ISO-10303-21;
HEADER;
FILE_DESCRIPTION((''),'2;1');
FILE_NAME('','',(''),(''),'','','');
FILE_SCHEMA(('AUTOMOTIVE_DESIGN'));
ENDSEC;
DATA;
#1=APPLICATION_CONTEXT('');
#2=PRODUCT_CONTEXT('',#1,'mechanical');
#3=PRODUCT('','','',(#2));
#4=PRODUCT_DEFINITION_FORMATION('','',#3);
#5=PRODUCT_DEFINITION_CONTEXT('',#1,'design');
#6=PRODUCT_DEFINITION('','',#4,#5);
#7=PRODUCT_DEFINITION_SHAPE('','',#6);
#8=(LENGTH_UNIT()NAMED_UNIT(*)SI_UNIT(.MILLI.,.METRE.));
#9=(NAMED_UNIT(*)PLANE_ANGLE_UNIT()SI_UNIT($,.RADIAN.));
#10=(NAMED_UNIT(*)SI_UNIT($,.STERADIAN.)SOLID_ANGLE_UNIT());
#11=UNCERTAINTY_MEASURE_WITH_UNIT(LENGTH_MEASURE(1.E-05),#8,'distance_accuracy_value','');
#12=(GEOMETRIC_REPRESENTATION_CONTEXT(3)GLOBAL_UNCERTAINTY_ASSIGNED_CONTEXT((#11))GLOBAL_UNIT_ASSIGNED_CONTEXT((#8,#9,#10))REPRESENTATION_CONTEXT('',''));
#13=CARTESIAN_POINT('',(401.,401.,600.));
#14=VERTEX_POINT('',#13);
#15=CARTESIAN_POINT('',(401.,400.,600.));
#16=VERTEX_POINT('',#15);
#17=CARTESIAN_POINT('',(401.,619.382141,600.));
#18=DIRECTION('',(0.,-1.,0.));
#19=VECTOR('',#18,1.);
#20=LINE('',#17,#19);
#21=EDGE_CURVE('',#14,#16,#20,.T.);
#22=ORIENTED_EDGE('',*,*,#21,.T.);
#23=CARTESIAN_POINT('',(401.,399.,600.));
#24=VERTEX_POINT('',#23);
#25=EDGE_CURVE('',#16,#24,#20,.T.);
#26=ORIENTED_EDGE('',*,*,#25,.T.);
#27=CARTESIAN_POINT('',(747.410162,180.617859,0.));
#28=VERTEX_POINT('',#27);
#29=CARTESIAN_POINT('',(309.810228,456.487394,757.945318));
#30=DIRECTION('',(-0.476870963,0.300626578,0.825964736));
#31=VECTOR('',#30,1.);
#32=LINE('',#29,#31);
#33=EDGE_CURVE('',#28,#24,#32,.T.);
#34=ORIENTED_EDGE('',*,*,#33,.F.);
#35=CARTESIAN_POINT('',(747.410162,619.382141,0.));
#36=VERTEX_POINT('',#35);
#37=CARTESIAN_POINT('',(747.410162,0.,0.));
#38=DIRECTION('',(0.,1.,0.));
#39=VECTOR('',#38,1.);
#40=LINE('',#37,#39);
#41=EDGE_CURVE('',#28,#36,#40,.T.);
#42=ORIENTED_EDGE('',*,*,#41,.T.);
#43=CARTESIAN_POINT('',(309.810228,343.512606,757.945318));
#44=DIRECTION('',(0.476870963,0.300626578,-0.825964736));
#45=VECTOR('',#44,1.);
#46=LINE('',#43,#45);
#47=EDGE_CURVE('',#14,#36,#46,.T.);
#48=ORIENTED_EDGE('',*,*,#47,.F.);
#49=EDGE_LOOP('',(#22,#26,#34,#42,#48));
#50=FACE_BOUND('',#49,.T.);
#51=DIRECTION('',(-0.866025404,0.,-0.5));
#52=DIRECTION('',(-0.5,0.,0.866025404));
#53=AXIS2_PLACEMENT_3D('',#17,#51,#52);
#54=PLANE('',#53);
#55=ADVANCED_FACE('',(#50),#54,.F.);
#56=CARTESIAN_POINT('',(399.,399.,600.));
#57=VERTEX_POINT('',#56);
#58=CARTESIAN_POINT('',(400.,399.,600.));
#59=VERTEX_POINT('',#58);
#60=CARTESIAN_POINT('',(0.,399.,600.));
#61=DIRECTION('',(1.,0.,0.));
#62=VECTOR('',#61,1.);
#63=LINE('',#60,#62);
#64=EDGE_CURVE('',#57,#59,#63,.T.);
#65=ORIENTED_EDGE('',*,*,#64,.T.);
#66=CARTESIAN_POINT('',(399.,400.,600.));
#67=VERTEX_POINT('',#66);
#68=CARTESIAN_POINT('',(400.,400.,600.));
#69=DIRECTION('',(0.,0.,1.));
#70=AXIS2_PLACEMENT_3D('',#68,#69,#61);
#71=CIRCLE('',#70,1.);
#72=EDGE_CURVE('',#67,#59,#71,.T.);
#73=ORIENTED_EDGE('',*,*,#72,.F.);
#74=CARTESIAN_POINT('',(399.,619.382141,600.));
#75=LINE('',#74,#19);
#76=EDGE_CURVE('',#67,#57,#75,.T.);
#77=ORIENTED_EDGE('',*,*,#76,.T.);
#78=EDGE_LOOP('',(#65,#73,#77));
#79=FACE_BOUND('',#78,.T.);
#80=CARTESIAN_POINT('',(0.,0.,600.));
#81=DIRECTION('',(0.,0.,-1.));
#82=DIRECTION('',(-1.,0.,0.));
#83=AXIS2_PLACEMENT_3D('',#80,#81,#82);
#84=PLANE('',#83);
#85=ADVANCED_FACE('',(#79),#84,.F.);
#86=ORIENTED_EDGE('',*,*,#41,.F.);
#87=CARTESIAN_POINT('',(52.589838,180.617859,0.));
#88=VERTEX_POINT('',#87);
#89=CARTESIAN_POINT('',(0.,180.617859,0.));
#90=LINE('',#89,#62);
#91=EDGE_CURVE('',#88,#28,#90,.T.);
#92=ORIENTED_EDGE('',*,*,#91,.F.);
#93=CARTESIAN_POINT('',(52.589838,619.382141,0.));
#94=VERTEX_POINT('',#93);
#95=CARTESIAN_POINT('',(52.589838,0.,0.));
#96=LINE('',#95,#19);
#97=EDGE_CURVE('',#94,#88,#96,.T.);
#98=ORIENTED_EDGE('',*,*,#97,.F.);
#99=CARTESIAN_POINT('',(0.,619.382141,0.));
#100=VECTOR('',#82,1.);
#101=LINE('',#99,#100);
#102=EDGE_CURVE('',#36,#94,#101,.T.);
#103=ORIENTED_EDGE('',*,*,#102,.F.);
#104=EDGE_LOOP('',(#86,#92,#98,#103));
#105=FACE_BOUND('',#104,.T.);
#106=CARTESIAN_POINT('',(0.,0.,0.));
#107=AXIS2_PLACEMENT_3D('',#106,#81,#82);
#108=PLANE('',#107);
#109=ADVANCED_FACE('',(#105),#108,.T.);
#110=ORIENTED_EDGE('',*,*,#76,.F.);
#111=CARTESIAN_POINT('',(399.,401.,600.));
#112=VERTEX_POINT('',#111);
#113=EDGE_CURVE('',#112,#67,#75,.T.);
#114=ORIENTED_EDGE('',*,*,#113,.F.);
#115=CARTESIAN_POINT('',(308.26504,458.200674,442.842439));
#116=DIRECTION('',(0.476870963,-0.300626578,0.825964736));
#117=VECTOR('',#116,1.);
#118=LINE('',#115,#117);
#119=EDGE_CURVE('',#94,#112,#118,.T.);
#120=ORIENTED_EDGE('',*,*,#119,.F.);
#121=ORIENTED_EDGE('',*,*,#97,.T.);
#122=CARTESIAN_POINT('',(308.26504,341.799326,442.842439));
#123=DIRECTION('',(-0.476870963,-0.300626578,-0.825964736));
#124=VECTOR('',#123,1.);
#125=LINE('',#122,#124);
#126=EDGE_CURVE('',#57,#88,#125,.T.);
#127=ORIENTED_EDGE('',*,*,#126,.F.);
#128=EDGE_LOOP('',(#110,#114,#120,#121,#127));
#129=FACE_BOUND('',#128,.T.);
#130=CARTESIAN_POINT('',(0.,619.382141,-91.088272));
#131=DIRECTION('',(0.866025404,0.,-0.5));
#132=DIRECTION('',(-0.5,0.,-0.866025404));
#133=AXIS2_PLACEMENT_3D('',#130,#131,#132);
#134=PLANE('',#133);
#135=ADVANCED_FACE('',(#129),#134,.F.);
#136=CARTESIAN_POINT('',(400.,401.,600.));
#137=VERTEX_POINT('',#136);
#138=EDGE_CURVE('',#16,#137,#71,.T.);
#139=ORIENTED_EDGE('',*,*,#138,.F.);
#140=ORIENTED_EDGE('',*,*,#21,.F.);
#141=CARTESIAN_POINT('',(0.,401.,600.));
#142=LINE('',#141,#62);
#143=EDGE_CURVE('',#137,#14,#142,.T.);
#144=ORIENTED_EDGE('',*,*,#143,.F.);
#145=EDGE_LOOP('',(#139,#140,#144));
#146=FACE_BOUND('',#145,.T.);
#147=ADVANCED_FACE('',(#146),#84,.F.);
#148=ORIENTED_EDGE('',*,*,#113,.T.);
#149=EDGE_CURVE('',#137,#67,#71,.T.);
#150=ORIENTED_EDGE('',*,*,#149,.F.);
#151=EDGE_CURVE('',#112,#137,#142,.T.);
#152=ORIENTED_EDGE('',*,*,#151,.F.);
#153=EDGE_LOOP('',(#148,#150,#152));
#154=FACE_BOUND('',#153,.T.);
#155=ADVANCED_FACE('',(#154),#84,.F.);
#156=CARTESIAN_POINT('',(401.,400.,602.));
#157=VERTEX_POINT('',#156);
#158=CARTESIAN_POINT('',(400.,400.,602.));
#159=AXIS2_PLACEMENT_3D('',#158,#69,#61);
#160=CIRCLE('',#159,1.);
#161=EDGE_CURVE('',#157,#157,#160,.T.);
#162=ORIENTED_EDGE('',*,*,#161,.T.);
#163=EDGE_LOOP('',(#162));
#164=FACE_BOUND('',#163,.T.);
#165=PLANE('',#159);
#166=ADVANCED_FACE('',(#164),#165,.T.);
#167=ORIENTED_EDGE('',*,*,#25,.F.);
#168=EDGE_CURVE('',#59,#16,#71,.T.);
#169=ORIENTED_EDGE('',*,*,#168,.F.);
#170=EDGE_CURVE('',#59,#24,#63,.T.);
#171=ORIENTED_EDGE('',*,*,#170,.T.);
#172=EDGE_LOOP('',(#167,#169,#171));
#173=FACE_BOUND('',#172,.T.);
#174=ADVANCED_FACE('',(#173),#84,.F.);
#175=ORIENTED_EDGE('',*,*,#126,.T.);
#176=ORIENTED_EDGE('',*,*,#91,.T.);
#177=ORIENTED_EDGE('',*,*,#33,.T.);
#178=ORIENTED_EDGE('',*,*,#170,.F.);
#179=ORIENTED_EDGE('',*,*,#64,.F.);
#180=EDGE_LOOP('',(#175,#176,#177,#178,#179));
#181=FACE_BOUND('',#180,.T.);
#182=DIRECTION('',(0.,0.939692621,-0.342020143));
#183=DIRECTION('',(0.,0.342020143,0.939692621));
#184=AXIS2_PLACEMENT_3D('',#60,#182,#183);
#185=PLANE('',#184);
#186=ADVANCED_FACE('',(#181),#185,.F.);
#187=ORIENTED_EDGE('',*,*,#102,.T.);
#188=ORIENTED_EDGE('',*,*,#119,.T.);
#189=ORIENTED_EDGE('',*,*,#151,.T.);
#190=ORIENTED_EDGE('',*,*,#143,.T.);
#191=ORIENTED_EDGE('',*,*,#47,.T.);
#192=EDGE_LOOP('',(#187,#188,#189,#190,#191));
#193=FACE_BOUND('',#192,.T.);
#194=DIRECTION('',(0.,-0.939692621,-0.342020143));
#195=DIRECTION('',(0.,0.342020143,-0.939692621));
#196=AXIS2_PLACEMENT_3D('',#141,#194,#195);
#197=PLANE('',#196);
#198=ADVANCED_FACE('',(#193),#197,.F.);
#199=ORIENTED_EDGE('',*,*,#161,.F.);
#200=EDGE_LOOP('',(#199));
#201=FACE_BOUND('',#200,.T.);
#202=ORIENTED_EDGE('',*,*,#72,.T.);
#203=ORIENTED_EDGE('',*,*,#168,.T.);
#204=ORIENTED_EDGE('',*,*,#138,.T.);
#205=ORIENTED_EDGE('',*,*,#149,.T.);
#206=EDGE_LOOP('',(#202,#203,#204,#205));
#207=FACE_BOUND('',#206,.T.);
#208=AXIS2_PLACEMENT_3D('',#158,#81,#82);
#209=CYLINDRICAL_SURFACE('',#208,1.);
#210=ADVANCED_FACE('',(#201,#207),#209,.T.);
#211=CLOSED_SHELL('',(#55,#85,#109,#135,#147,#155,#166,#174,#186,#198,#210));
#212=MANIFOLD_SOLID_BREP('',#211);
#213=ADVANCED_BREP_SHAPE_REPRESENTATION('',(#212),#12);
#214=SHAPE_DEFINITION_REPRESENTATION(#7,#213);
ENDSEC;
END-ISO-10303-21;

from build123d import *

# Parameters (mm, degrees)
SKETCH1_W           = 800
SKETCH1_H           = 800
BOSS_EXTRUDE1_DEPTH = 600
CUT_EXTRUDE1_DEPTH  = 801
CUT_EXTRUDE2_DEPTH  = 620.38214056
SKETCH4_R           = 1
BOSS_EXTRUDE2_DEPTH = 2


with BuildPart() as part:
    # Sketch1 → Boss-Extrude1 (new body)
    with BuildSketch(Plane.XY):
        with Locations((400, 400)):
            Rectangle(SKETCH1_W, SKETCH1_H)
    extrude(amount=BOSS_EXTRUDE1_DEPTH)

    # Sketch2 → Cut-Extrude1 (cut, through all)
    with BuildSketch(Plane(origin=(800, 0, 0), x_dir=(0, 0, -1), z_dir=(1, 0, 0))):
        Polygon((-600, 800), (-600, 401), (496.243490362, 800), align=None)
        Polygon((496.243490362, 0), (-600, 0), (-600, 399), align=None)
    extrude(amount=-CUT_EXTRUDE1_DEPTH, mode=Mode.SUBTRACT)

    # Sketch3 → Cut-Extrude2 (cut, through all)
    with BuildSketch(Plane.XZ):
        Polygon((401, 600), (800, -91.08827222), (800, 600), align=None)
        Polygon((0, 600), (0, -91.08827222), (399, 600), align=None)
    extrude(amount=-CUT_EXTRUDE2_DEPTH, mode=Mode.SUBTRACT)

    # Sketch4 → Boss-Extrude2 (add)
    with BuildSketch(Plane.XY.offset(600)):
        with Locations((400, 400)):
            Circle(SKETCH4_R)
    extrude(amount=BOSS_EXTRUDE2_DEPTH)


solid = part.part
